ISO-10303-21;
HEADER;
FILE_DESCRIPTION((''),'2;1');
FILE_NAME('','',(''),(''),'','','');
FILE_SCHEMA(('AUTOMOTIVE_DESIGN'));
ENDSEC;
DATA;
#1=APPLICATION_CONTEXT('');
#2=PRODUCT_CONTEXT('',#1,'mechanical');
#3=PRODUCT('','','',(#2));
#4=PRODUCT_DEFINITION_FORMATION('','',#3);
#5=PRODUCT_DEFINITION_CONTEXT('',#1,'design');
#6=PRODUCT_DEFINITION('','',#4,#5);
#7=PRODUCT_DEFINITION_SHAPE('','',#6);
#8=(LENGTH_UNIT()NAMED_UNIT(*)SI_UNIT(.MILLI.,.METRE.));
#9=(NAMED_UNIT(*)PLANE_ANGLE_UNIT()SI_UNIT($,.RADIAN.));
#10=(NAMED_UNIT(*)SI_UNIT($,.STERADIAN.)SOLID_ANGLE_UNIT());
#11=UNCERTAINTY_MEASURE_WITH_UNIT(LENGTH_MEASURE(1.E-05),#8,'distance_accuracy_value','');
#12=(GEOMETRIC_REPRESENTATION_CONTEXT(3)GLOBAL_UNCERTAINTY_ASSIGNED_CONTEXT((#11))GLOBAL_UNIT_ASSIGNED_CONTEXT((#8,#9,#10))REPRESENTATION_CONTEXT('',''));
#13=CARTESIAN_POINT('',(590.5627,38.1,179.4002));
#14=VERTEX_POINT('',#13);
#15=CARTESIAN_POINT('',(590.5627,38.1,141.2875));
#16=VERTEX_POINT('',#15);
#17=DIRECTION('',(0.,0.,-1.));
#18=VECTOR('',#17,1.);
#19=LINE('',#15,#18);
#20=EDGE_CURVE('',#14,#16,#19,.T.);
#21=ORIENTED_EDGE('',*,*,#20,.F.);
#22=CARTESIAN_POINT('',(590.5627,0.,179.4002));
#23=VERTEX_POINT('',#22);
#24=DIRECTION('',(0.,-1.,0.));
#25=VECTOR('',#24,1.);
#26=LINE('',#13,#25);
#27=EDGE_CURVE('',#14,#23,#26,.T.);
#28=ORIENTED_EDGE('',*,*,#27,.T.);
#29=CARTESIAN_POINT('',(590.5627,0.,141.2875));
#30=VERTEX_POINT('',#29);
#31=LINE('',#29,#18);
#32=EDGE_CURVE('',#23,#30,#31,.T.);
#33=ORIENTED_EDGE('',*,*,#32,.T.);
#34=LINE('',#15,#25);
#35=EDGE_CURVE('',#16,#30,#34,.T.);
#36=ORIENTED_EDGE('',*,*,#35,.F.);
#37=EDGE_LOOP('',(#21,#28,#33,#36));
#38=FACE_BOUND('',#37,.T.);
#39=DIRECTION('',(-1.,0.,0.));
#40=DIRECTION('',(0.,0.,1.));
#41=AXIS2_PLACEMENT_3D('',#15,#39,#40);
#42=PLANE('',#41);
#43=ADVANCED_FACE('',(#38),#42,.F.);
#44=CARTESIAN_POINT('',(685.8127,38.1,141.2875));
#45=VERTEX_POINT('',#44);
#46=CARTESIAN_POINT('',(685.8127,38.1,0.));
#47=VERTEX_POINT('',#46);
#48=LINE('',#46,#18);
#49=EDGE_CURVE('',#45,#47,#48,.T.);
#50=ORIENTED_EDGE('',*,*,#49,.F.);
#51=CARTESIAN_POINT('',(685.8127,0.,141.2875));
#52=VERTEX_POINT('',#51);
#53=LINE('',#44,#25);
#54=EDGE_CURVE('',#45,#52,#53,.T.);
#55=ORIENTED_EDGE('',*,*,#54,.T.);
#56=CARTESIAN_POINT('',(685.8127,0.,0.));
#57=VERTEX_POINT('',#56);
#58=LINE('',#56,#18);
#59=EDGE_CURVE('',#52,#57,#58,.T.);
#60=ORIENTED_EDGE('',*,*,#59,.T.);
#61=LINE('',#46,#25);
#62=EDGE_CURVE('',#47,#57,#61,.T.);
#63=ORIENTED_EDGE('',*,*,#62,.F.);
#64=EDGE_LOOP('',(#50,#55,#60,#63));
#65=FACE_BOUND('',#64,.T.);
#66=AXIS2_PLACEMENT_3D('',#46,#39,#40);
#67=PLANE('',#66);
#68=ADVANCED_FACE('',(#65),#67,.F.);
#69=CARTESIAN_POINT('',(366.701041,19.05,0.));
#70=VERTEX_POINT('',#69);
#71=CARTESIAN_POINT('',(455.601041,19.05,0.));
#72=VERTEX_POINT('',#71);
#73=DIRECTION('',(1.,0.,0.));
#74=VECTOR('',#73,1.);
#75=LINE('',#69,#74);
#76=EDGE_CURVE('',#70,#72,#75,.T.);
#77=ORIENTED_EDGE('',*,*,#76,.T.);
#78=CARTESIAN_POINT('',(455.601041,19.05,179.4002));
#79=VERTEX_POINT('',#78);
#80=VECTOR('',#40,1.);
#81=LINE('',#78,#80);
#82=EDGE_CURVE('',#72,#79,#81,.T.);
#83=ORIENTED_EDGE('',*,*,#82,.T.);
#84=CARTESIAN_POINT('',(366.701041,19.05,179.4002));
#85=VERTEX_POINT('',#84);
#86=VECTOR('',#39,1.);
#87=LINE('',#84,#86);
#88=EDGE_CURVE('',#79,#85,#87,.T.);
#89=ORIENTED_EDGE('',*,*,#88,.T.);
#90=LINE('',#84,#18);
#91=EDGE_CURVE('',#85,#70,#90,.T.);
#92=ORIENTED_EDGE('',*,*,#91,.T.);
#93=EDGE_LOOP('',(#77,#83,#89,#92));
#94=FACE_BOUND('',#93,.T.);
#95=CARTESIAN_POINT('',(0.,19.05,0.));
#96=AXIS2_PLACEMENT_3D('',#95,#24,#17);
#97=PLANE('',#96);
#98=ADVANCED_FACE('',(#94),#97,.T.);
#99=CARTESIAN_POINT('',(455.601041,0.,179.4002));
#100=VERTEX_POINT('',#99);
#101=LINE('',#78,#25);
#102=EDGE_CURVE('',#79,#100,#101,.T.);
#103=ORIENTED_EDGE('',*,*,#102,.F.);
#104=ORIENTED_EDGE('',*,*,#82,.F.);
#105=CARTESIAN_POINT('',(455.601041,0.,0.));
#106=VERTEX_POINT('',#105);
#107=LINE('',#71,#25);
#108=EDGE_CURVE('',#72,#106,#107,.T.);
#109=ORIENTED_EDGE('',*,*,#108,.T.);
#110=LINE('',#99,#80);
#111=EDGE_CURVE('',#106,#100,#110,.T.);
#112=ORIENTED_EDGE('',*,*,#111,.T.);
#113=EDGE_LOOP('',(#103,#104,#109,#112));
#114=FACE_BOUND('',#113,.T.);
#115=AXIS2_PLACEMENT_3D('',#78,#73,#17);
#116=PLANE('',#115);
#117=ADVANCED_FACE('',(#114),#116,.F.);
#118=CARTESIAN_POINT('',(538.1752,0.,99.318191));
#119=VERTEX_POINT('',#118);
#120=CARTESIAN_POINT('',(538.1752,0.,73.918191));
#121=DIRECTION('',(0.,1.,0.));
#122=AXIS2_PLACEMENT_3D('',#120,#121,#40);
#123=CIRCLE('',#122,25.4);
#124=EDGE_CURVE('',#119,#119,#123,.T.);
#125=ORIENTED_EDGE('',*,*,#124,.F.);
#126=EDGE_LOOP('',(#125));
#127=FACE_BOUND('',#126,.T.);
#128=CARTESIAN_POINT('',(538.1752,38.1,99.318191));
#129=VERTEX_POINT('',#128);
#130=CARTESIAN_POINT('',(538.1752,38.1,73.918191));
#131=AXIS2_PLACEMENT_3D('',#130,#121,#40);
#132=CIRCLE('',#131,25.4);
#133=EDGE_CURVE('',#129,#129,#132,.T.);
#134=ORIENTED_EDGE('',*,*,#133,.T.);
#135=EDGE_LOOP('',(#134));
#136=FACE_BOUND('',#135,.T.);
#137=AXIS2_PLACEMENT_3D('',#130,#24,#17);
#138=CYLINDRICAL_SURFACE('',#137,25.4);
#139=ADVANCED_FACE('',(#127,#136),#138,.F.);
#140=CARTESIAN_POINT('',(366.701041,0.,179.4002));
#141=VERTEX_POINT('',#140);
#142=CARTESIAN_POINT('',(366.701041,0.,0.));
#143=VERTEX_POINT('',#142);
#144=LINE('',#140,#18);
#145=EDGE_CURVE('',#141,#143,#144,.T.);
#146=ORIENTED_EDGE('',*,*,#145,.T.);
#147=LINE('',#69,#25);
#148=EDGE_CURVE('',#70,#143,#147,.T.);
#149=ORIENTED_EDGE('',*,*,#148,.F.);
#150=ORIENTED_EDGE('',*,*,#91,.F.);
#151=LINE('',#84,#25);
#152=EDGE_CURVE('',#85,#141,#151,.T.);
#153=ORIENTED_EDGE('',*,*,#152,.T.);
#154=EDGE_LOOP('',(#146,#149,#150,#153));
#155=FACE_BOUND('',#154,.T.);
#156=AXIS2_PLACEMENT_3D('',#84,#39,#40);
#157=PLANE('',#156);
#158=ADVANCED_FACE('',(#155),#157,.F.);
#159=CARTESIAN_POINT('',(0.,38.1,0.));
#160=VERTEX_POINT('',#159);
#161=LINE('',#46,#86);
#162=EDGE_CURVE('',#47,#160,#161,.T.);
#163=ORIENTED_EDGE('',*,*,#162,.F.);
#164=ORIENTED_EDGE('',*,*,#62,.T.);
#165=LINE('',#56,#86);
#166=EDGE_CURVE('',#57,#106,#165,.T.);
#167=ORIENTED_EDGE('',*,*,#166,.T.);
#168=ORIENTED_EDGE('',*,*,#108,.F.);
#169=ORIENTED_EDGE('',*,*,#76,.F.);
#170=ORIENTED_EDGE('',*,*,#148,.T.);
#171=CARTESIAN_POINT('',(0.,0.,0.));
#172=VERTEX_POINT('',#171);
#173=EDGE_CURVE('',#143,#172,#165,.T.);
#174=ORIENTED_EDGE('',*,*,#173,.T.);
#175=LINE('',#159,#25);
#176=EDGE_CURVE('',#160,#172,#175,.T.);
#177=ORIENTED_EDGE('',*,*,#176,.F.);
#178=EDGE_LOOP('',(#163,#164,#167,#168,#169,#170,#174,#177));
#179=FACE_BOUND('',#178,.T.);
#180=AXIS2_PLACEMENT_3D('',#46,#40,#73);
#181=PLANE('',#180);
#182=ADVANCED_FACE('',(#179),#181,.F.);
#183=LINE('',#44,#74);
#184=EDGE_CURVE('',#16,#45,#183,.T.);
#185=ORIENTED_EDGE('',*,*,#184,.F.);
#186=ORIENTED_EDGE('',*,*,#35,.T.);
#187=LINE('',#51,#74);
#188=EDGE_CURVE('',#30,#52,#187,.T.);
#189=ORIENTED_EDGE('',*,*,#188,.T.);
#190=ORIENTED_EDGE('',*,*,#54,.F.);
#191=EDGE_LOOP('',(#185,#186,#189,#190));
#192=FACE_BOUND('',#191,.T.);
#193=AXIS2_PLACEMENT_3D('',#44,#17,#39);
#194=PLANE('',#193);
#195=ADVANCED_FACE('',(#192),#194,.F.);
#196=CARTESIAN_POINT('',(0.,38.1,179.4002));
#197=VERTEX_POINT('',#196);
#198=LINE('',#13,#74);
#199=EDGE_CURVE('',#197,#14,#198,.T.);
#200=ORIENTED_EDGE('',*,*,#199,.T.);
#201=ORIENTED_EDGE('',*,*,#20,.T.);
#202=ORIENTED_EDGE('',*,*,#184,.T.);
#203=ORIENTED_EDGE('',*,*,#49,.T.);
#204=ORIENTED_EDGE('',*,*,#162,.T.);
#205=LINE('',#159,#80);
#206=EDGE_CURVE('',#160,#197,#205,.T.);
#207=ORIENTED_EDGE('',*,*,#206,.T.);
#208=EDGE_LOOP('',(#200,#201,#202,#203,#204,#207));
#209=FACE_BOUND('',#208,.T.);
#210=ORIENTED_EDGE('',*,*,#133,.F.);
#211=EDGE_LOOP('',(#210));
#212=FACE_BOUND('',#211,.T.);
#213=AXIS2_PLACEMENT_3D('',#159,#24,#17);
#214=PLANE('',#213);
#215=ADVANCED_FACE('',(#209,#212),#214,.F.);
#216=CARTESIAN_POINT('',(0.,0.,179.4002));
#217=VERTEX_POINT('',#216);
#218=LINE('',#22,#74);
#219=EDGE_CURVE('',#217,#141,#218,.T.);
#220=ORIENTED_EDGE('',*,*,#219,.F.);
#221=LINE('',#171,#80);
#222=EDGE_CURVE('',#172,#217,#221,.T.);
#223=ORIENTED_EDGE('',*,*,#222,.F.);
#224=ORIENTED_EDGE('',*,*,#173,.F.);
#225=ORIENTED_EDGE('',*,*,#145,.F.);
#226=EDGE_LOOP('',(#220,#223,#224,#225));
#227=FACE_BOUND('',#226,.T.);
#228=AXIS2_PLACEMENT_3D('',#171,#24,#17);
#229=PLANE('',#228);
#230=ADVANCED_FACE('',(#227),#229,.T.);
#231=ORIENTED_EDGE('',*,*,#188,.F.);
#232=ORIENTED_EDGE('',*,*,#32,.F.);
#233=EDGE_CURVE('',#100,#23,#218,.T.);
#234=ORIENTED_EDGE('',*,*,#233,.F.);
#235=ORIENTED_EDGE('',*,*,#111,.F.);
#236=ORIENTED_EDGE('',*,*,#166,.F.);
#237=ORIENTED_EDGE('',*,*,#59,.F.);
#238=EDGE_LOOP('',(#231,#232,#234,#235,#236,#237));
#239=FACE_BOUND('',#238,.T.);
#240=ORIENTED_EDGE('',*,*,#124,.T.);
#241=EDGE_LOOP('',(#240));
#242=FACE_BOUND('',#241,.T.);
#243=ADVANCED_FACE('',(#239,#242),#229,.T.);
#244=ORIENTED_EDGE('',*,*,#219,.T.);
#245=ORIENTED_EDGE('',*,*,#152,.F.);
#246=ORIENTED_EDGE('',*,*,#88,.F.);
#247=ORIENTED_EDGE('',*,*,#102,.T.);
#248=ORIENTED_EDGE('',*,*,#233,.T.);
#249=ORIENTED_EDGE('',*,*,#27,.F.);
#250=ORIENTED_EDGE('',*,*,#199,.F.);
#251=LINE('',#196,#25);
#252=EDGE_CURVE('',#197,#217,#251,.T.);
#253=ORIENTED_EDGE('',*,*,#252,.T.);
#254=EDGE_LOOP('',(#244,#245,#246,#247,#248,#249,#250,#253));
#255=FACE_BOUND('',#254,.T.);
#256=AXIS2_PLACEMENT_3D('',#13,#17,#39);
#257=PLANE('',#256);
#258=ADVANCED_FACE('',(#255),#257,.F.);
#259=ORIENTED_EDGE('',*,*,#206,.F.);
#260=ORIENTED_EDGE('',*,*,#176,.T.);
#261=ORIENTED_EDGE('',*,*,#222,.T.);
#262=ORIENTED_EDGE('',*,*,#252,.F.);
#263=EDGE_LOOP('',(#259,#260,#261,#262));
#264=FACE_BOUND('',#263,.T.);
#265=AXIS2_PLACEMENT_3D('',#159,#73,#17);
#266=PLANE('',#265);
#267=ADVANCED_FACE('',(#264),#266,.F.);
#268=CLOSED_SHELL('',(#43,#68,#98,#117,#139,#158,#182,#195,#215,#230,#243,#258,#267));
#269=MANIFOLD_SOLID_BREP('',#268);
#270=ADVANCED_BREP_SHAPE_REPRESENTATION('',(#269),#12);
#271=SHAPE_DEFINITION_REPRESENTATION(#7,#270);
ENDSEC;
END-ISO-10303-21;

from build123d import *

# Parameters (mm, degrees)
SKETCH1_R           = 25.4
BOSS_EXTRUDE1_DEPTH = 38.1
SKETCH2_W           = 88.9
SKETCH2_H           = 179.4002
CUT_EXTRUDE1_DEPTH  = 19.05


with BuildPart() as part:
    # Sketch1 → Boss-Extrude1 (new body)
    with BuildSketch(Plane(origin=(0, 0, 0), x_dir=(1, 0, 0), z_dir=(0, 1, 0))):
        Polygon((685.8127, 0), (0, 0), (0, -179.4002), (590.5627, -179.4002), (590.5627, -141.2875), (685.8127, -141.2875), align=None)
        with Locations((538.1752, -73.918191)):
            Circle(SKETCH1_R, mode=Mode.SUBTRACT)
    extrude(amount=BOSS_EXTRUDE1_DEPTH)

    # Sketch2 → Cut-Extrude1 (cut)
    with BuildSketch(Plane.XZ):
        with Locations((411.15104079, 89.7001)):
            Rectangle(SKETCH2_W, SKETCH2_H)
    extrude(amount=-CUT_EXTRUDE1_DEPTH, mode=Mode.SUBTRACT)


solid = part.part
